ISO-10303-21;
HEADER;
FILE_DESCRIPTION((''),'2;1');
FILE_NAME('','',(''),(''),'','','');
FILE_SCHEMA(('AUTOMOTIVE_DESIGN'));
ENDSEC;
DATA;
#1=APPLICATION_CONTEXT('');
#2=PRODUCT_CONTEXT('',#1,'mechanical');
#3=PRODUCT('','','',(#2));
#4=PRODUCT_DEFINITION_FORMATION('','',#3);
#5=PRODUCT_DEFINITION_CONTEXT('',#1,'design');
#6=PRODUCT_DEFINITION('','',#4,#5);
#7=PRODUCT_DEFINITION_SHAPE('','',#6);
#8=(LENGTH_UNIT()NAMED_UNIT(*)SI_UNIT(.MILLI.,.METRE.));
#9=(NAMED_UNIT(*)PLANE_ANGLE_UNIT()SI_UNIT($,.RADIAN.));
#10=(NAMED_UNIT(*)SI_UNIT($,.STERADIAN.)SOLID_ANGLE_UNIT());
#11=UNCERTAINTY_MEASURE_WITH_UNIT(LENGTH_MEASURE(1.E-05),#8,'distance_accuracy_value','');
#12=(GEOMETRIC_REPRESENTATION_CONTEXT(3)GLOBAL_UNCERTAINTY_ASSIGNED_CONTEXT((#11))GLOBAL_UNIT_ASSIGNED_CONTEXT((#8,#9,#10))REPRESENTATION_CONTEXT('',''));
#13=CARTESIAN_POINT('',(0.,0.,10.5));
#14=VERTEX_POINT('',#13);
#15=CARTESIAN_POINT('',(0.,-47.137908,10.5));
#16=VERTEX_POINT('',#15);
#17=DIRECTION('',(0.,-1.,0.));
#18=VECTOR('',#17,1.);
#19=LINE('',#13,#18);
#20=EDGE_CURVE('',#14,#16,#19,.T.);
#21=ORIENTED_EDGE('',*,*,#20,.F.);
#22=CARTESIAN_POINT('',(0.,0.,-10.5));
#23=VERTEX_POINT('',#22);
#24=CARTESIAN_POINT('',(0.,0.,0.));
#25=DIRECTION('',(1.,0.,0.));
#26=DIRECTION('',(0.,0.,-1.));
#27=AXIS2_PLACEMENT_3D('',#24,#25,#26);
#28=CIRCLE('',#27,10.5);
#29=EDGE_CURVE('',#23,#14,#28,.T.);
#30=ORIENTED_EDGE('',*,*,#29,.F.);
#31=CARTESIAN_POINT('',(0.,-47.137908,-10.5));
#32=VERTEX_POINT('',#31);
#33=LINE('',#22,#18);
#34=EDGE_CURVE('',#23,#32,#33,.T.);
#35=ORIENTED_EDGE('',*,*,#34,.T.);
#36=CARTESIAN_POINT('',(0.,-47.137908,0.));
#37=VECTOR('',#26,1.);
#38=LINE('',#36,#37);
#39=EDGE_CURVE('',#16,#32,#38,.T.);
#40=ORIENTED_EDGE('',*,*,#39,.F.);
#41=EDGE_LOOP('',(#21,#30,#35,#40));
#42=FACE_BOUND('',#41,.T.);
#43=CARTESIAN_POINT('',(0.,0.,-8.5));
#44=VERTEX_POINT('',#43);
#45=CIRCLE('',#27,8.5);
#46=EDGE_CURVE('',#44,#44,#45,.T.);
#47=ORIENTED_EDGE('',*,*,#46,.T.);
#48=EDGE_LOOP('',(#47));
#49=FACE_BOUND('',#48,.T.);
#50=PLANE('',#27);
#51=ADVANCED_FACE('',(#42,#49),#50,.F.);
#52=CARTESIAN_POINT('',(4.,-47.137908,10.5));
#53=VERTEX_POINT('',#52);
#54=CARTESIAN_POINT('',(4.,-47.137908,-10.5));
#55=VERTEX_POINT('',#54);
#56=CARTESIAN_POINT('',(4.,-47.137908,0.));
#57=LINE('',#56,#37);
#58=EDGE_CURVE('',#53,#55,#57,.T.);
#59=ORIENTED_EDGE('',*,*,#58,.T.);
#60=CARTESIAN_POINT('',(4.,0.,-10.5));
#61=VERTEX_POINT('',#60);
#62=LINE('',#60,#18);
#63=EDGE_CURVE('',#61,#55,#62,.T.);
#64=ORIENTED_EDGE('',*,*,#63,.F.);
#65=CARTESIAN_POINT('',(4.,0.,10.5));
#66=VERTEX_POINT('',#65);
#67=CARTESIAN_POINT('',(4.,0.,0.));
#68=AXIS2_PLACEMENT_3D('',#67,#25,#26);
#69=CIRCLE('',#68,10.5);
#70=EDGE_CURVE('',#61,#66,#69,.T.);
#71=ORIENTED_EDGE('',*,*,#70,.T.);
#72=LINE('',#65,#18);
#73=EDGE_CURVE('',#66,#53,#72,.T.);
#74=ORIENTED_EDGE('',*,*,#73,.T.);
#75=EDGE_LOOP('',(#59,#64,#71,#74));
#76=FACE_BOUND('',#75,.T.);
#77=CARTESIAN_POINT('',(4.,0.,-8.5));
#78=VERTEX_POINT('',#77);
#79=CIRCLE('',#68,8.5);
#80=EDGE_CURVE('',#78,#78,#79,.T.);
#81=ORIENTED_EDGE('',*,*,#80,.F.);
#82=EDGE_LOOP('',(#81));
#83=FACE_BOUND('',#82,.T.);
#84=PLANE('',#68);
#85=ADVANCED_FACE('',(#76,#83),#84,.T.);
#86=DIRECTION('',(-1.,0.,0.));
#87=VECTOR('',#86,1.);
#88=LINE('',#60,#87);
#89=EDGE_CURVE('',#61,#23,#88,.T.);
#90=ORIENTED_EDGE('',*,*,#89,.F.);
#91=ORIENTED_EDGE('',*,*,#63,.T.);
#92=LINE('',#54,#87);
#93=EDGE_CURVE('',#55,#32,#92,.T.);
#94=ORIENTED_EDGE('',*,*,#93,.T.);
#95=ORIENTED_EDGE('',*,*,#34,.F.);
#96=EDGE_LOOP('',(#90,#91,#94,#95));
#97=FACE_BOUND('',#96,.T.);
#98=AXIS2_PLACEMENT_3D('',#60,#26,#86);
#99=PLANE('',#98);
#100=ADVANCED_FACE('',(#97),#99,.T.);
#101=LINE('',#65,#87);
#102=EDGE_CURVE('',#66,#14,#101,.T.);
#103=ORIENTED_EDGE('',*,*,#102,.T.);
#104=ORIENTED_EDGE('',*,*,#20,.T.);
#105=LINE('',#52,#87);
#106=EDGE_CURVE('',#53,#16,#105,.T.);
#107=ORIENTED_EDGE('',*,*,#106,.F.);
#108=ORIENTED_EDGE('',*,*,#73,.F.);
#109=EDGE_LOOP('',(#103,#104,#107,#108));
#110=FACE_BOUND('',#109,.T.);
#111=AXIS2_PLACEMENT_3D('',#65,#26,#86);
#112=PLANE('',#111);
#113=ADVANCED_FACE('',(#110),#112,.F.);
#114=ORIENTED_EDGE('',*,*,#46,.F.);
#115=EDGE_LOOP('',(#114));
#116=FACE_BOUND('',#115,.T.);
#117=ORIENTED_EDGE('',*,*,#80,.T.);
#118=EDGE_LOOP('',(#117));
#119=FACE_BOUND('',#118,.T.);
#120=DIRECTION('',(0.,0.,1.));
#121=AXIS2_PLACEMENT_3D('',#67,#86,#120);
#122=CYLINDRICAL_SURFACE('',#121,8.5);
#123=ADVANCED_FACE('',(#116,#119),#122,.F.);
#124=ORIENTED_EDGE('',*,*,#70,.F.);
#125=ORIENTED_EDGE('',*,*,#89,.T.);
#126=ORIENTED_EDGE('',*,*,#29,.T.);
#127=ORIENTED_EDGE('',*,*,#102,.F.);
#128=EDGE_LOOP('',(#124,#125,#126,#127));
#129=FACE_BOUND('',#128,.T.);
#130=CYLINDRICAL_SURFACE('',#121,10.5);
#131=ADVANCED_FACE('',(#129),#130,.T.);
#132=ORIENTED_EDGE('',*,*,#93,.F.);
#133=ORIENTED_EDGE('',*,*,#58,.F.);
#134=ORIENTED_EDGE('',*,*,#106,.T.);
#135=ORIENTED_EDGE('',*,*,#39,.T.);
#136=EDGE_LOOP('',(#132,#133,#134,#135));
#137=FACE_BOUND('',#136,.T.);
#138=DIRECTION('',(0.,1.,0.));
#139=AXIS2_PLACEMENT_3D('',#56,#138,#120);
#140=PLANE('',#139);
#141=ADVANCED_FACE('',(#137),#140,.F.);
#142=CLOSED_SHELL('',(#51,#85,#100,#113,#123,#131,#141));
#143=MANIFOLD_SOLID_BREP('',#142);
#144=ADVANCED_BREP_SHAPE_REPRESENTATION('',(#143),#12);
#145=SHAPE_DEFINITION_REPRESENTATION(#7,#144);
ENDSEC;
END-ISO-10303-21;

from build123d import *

# Parameters (mm, degrees)
SKETCH1_R           = 8.5
BOSS_EXTRUDE1_DEPTH = 4


with BuildPart() as part:
    # Sketch1 → Boss-Extrude1 (new body)
    with BuildSketch(Plane(origin=(0, 0, 0), x_dir=(0, 0, -1), z_dir=(1, 0, 0))):
        with BuildLine():
            Line((10.5, 0), (10.5, -47.137908156))
            Line((10.5, -47.137908156), (-10.5, -47.137908156))
            Line((-10.5, -47.137908156), (-10.5, 0))
            ThreePointArc((-10.5, 0), (0, 10.5), (10.5, 0))
        make_face()
        Circle(SKETCH1_R, mode=Mode.SUBTRACT)
    extrude(amount=BOSS_EXTRUDE1_DEPTH)


solid = part.part
